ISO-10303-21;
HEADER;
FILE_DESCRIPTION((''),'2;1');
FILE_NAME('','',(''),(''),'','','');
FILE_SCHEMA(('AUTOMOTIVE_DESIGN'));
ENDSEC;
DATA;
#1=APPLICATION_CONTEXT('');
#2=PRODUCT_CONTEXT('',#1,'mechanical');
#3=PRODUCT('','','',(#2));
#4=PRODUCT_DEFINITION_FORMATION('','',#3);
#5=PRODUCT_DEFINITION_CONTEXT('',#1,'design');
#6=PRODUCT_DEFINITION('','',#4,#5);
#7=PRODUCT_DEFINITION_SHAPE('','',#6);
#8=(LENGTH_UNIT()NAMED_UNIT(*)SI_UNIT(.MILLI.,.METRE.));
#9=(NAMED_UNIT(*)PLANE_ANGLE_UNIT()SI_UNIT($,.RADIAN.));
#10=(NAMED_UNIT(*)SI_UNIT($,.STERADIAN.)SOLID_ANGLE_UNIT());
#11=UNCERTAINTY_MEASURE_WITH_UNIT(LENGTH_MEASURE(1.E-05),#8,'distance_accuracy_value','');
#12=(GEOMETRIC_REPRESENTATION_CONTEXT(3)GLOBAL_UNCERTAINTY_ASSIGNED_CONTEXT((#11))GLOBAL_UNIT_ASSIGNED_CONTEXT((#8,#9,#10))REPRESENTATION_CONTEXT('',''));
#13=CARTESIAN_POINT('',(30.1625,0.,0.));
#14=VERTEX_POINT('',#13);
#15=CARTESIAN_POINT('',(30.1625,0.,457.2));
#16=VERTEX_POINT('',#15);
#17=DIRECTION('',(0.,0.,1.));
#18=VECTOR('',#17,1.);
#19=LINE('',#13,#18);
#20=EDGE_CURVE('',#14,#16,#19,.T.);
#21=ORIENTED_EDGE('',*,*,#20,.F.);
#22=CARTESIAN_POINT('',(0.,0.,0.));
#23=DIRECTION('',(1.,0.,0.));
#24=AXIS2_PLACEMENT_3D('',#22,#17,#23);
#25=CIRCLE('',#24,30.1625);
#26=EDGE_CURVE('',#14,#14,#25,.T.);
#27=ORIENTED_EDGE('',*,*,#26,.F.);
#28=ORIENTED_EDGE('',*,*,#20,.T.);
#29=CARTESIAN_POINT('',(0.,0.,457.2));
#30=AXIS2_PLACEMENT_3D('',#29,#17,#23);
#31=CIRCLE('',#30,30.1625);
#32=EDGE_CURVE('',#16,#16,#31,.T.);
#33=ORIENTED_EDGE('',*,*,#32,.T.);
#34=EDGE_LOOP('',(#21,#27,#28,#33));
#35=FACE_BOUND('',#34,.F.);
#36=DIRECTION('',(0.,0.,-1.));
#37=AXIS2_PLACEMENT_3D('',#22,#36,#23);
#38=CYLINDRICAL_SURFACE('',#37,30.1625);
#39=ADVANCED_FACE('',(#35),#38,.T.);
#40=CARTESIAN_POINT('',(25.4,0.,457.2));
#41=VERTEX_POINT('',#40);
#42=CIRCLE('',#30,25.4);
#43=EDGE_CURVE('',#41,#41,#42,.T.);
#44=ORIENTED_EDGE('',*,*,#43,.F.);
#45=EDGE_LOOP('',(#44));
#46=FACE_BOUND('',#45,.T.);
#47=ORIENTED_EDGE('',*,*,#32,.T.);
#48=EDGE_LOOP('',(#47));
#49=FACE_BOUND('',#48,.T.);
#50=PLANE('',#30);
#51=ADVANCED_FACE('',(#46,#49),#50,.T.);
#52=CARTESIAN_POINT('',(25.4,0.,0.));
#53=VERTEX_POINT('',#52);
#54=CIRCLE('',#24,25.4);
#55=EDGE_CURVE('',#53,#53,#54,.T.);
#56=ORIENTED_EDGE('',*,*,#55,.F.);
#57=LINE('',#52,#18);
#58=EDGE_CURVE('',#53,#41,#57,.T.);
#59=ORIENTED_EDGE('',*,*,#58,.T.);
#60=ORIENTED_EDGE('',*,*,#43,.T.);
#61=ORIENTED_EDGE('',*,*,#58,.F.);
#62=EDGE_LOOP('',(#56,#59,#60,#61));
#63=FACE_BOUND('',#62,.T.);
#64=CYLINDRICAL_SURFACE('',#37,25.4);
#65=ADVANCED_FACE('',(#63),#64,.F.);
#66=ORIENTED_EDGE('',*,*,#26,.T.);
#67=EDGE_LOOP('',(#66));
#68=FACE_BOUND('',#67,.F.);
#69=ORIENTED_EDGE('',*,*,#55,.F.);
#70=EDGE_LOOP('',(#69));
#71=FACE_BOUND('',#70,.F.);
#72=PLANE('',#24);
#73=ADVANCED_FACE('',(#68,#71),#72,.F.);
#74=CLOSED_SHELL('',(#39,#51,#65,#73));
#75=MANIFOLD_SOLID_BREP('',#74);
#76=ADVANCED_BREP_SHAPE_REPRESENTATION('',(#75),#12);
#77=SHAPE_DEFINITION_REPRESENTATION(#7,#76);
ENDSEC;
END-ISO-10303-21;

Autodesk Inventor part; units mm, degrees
ref_plane "YZ Plane" through (0, 0, 0) normal (1, 0, 0) x (0, 1, 0)
ref_plane "XZ Plane" through (0, 0, 0) normal (0, 1, 0) x (-1, 0, 0)
ref_plane "XY Plane" through (0, 0, 0) normal (0, 0, 1) x (1, 0, 0)
sketch "Sketch1" plane through (0, 0, 0) normal (0, 0, 1) x (1, 0, 0)
  circle A0 centre (0, 0) radius 25.4
  circle A1 centre (0, 0) radius 30.1625
  dimension "d0" = 50.8
  dimension "d1" = 60.325
extrude "Extrusion1" add sketch "Sketch1" along normal blind 457.2
properties part number "18 in Seg" material "PVC-Piping"
